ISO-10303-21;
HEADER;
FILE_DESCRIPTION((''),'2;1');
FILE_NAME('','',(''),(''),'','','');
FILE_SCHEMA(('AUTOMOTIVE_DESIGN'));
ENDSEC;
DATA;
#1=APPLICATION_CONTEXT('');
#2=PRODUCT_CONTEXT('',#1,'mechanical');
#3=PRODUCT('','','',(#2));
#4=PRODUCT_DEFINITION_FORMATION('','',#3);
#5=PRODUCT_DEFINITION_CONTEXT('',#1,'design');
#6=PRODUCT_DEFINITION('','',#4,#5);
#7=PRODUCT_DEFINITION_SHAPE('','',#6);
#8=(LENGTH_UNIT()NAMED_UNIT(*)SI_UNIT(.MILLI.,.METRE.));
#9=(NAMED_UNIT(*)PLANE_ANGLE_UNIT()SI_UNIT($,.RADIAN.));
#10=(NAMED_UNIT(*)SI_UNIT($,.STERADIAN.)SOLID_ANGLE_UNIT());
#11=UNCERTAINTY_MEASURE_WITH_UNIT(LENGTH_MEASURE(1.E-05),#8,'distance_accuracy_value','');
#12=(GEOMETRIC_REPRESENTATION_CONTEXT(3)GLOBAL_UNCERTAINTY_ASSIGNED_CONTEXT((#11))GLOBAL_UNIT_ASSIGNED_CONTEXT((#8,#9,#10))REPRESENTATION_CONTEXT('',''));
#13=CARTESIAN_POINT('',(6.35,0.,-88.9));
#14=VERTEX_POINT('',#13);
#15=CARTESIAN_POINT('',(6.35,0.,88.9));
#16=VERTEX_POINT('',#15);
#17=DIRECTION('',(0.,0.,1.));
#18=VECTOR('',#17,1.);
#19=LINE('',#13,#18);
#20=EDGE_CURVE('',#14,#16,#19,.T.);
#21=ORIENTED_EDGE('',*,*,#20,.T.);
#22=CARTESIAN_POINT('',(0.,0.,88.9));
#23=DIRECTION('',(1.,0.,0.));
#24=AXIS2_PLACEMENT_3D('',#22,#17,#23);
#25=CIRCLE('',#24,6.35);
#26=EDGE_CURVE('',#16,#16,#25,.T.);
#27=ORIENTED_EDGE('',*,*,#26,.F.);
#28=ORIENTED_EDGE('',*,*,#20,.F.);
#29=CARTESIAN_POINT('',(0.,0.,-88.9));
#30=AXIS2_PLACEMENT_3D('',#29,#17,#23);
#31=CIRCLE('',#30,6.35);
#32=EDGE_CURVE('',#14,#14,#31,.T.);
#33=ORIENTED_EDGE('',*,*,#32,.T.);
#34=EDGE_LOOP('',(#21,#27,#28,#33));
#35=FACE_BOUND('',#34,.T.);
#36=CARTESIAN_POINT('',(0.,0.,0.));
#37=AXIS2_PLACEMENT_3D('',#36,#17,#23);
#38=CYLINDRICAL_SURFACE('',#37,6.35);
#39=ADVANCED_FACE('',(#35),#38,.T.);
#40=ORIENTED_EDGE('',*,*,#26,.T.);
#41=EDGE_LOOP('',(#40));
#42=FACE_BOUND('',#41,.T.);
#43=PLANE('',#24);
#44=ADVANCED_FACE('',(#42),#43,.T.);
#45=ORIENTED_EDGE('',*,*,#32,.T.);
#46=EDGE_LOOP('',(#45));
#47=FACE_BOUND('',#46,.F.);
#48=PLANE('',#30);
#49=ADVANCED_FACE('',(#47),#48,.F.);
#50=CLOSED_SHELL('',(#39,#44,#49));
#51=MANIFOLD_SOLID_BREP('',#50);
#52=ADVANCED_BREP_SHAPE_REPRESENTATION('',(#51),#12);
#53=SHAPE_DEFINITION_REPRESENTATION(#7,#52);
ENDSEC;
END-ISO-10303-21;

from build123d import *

# Parameters (mm, degrees)
SKETCH1_R           = 6.35
EXTRUDE1_DEPTH      = 88.9
EXTRUDE1_DEPTH_BACK = 88.9


with BuildPart() as part:
    # Sketch1 → Extrude1 (new body, two sides)
    with BuildSketch(Plane.XY) as extrude1_sk:
        Circle(SKETCH1_R)
    extrude(amount=EXTRUDE1_DEPTH)
    extrude(extrude1_sk.sketch, amount=-EXTRUDE1_DEPTH_BACK)


solid = part.part
